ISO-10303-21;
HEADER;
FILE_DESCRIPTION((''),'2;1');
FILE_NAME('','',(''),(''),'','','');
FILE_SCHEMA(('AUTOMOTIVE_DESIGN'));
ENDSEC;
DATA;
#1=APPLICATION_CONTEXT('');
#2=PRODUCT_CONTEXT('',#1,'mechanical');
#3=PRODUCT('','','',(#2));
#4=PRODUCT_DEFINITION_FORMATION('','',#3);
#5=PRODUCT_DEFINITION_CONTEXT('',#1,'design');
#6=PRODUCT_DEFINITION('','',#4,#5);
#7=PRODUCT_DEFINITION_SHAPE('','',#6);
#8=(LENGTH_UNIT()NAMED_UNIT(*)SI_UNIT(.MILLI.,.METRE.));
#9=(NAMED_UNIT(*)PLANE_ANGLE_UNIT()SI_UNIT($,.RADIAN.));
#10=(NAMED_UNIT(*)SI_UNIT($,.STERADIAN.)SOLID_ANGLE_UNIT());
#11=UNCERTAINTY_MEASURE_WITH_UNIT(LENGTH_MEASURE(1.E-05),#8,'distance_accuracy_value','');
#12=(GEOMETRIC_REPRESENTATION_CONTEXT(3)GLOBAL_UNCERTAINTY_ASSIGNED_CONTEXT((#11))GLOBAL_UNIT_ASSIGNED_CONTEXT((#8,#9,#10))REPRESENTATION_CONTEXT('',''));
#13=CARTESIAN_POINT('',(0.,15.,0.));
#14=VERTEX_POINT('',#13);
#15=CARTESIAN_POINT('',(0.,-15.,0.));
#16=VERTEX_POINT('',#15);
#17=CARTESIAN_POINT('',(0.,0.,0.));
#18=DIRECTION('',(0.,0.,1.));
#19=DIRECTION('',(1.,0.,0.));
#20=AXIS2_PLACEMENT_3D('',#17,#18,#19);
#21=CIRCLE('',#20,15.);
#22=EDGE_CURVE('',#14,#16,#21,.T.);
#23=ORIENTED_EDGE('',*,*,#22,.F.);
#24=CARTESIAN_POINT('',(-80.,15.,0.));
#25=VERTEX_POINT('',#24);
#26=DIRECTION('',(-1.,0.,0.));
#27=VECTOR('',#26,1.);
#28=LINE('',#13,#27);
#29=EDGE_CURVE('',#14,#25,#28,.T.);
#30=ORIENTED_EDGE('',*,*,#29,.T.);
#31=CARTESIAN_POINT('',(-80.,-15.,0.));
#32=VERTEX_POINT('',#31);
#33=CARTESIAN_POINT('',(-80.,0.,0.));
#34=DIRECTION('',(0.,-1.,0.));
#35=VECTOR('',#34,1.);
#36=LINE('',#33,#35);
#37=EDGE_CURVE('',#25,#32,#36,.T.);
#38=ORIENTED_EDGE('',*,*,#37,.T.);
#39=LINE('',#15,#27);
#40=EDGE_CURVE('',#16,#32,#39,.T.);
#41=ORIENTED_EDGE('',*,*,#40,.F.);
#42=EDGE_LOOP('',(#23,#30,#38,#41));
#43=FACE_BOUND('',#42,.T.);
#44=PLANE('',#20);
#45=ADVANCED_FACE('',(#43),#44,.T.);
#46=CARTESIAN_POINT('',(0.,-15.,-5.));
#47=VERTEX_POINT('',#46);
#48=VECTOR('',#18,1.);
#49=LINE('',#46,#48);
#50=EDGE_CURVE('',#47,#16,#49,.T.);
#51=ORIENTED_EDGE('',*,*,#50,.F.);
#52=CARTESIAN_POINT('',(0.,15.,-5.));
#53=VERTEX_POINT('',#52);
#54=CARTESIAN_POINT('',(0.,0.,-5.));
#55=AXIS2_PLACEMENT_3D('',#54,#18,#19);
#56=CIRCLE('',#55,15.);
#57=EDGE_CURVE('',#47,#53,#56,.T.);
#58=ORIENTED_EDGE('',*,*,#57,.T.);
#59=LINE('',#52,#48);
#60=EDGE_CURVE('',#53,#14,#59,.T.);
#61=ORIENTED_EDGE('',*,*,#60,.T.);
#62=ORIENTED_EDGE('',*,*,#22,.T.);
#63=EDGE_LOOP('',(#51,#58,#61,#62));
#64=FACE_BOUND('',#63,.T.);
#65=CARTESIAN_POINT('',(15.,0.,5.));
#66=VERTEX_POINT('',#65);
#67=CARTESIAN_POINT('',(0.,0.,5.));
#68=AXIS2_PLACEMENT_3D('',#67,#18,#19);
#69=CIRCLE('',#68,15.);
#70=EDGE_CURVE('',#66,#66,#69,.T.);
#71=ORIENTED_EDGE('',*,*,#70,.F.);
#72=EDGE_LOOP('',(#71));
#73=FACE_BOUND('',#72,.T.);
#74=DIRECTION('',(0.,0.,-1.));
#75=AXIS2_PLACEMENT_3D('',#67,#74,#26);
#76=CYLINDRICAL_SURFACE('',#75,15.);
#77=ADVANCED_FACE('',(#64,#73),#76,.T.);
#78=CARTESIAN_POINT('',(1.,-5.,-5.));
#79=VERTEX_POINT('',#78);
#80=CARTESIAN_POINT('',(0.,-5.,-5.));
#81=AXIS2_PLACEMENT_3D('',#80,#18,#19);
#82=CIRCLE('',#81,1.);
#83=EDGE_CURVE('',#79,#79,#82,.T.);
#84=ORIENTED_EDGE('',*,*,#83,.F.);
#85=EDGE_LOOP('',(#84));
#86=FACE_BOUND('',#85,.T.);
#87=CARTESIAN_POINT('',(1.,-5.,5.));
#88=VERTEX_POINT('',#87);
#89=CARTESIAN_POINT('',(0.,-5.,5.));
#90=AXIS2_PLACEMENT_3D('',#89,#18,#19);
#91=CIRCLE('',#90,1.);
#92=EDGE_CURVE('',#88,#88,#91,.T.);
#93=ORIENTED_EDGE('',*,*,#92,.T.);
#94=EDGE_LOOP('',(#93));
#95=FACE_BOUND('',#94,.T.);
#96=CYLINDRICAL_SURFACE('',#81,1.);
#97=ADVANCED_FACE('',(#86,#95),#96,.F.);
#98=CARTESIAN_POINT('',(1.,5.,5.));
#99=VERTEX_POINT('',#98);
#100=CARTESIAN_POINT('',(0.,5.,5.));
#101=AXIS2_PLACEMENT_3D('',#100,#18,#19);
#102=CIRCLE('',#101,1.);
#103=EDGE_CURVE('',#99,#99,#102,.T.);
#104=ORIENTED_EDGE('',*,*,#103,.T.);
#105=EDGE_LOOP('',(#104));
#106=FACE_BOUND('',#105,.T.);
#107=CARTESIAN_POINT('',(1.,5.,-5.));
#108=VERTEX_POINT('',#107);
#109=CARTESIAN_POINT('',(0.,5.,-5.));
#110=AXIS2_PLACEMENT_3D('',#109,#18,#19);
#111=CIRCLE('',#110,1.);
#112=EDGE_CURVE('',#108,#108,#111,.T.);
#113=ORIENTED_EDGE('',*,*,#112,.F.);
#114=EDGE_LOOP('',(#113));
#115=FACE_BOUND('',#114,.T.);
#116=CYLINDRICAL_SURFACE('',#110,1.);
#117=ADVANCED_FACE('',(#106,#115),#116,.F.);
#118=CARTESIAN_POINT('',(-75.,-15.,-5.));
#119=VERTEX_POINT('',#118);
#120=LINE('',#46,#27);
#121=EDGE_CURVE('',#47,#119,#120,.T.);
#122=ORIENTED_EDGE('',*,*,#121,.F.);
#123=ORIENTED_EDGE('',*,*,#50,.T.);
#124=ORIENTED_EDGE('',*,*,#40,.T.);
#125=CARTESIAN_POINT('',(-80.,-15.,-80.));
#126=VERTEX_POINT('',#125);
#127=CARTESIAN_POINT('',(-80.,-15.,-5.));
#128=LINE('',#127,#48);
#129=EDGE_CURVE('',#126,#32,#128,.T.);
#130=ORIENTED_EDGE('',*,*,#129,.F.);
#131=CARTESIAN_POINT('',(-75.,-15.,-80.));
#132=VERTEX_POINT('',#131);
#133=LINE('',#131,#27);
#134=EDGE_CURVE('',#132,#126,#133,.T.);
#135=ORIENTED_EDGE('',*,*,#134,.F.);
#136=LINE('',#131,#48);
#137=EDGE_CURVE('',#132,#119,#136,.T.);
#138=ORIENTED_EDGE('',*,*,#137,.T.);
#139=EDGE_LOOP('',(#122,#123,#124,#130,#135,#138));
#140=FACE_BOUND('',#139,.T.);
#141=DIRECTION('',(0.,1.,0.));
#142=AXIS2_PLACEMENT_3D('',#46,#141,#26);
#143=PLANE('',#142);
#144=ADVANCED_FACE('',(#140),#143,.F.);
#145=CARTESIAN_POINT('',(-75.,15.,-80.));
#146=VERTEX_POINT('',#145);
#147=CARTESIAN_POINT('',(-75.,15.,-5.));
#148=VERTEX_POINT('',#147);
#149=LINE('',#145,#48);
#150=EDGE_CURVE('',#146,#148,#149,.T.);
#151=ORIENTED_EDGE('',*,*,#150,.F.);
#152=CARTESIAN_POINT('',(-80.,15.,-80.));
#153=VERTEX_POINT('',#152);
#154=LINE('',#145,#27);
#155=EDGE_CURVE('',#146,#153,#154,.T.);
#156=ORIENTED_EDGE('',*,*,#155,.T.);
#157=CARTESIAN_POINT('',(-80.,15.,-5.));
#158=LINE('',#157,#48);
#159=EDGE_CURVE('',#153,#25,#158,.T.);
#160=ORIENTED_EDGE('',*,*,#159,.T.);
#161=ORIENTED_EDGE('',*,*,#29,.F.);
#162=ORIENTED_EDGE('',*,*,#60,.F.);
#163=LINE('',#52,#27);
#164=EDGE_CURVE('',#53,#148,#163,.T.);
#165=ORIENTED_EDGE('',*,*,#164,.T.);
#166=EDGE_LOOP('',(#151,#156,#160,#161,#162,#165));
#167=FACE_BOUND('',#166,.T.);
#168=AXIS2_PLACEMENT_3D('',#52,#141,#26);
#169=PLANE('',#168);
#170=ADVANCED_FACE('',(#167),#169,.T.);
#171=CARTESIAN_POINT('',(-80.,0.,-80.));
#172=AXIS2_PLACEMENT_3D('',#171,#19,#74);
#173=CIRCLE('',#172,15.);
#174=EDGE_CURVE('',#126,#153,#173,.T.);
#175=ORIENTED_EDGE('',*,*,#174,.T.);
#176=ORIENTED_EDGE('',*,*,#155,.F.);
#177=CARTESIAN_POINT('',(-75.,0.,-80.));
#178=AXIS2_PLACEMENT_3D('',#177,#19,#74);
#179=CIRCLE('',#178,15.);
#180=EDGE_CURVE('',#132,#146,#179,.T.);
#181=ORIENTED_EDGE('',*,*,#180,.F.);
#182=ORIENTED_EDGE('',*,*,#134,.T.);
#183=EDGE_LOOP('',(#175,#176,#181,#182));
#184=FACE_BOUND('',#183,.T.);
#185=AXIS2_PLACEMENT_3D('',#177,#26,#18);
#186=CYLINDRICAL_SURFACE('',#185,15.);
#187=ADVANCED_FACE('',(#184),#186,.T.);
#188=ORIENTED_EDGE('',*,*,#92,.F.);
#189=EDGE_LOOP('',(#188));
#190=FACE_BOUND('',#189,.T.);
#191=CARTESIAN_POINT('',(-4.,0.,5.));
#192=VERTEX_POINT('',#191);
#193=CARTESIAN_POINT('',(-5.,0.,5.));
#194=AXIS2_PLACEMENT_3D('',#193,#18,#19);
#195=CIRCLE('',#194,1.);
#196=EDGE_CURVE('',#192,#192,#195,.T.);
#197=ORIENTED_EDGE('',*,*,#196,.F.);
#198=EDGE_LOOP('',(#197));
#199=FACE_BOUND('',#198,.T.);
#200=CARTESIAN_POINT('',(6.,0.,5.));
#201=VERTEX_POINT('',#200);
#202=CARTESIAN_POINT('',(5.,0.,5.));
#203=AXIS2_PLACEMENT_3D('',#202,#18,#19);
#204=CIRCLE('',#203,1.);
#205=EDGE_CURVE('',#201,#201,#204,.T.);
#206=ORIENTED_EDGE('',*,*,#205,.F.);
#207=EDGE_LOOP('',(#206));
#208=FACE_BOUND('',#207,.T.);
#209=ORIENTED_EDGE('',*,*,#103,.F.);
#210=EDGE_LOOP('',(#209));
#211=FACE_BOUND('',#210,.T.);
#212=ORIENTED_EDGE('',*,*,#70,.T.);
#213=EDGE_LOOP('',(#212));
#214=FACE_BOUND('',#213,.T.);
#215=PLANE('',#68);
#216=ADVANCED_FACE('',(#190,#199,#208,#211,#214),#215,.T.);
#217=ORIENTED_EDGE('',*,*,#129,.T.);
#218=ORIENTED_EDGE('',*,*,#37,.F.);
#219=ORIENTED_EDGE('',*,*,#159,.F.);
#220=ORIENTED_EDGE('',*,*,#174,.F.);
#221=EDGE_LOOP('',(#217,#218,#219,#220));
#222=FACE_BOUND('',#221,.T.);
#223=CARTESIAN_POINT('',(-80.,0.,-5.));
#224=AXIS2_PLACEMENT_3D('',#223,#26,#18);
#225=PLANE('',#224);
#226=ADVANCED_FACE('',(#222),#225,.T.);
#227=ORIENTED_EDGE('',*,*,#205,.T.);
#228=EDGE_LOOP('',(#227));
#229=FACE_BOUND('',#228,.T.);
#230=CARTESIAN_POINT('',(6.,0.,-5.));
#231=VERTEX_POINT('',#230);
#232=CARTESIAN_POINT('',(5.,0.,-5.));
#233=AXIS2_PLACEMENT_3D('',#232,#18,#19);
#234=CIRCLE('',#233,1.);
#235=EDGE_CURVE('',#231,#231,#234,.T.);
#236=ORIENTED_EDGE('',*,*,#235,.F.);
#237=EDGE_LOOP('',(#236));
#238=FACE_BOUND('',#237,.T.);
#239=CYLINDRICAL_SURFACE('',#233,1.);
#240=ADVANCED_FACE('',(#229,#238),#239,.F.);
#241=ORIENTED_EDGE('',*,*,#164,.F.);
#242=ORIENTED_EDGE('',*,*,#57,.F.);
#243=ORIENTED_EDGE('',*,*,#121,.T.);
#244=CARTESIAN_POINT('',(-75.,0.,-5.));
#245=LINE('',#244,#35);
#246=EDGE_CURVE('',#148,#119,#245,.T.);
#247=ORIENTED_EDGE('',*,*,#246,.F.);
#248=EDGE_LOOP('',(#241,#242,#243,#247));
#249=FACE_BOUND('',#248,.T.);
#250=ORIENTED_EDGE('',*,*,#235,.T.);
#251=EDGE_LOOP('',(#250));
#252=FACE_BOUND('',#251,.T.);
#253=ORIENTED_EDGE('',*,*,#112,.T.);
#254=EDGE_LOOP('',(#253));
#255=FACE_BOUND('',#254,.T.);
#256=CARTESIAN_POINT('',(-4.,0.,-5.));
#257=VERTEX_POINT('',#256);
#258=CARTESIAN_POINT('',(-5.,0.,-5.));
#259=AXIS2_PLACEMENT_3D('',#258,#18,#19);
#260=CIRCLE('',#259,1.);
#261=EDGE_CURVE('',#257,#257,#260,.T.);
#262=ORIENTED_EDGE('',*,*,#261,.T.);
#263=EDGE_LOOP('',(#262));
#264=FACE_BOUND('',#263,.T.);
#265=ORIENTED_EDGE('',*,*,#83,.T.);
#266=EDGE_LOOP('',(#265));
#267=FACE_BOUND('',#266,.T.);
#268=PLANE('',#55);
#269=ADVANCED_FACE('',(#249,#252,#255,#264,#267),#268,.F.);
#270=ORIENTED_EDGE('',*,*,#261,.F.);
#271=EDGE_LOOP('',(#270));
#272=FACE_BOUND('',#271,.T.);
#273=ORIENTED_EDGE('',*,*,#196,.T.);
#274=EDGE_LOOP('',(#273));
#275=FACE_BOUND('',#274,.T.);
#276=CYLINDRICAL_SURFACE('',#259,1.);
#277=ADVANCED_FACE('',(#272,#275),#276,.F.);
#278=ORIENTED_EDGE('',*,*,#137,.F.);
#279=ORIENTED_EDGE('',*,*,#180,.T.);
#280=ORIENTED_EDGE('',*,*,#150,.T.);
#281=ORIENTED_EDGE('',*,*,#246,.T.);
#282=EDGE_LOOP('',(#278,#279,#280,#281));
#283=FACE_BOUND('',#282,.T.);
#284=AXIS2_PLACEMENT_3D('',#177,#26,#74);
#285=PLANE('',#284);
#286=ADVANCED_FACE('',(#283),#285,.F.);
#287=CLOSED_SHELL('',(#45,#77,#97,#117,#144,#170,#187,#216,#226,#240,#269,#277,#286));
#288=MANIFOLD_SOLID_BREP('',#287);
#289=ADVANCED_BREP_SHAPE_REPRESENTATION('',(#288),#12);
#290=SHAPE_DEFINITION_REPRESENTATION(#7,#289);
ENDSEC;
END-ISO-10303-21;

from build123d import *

# Parameters (mm, degrees)
SKETCH1_R           = 15
FACE_2_DEPTH        = 5
L_START             = -5
L_LINK_DEPTH        = 5
SKETCH3_R           = 1
FIXING_SCREWS_DEPTH = 83.006097334


with BuildPart() as part:
    # Sketch1 → face 2 (new body)
    with BuildSketch(Plane.XY):
        Circle(SKETCH1_R)
    extrude(amount=FACE_2_DEPTH)

    # Sketch2 → L link (add)
    with BuildSketch(Plane.XY.offset(L_START)):
        with BuildLine():
            ThreePointArc((0, -15), (-15, 0), (0, 15))
            Line((0, 15), (-80, 15))
            Line((-80, 15), (-80, -15))
            Line((-80, -15), (0, -15))
        make_face()
        with BuildLine():
            ThreePointArc((15, 0), (10.606601718, 10.606601718), (0, 15))
            Line((0, 15), (0, -15))
            ThreePointArc((0, -15), (10.606601718, -10.606601718), (15, 0))
        make_face()
        with BuildLine():
            Line((0, -15), (0, 15))
            ThreePointArc((0, 15), (-15, 0), (0, -15))
        make_face()
    l_link = extrude(amount=L_LINK_DEPTH)

    # Sketch3 → fixing screws (cut, through all)
    with BuildSketch(Plane.XY.offset(5)):
        with Locations((0, 5)):
            Circle(SKETCH3_R)
        with Locations((5, 0)):
            Circle(SKETCH3_R)
        with Locations((0, -5)):
            Circle(SKETCH3_R)
        with Locations((-5, 0)):
            Circle(SKETCH3_R)
    extrude(amount=-FIXING_SCREWS_DEPTH, mode=Mode.SUBTRACT)

    # Mirror2: L link across plane
    add(l_link.mirror(Plane(origin=(-40, 0, -40), x_dir=(-0.7071067811865478, 0, 0.7071067811865472), z_dir=(0.7071067811865475, 0, 0.7071067811865477))))


solid = part.part
